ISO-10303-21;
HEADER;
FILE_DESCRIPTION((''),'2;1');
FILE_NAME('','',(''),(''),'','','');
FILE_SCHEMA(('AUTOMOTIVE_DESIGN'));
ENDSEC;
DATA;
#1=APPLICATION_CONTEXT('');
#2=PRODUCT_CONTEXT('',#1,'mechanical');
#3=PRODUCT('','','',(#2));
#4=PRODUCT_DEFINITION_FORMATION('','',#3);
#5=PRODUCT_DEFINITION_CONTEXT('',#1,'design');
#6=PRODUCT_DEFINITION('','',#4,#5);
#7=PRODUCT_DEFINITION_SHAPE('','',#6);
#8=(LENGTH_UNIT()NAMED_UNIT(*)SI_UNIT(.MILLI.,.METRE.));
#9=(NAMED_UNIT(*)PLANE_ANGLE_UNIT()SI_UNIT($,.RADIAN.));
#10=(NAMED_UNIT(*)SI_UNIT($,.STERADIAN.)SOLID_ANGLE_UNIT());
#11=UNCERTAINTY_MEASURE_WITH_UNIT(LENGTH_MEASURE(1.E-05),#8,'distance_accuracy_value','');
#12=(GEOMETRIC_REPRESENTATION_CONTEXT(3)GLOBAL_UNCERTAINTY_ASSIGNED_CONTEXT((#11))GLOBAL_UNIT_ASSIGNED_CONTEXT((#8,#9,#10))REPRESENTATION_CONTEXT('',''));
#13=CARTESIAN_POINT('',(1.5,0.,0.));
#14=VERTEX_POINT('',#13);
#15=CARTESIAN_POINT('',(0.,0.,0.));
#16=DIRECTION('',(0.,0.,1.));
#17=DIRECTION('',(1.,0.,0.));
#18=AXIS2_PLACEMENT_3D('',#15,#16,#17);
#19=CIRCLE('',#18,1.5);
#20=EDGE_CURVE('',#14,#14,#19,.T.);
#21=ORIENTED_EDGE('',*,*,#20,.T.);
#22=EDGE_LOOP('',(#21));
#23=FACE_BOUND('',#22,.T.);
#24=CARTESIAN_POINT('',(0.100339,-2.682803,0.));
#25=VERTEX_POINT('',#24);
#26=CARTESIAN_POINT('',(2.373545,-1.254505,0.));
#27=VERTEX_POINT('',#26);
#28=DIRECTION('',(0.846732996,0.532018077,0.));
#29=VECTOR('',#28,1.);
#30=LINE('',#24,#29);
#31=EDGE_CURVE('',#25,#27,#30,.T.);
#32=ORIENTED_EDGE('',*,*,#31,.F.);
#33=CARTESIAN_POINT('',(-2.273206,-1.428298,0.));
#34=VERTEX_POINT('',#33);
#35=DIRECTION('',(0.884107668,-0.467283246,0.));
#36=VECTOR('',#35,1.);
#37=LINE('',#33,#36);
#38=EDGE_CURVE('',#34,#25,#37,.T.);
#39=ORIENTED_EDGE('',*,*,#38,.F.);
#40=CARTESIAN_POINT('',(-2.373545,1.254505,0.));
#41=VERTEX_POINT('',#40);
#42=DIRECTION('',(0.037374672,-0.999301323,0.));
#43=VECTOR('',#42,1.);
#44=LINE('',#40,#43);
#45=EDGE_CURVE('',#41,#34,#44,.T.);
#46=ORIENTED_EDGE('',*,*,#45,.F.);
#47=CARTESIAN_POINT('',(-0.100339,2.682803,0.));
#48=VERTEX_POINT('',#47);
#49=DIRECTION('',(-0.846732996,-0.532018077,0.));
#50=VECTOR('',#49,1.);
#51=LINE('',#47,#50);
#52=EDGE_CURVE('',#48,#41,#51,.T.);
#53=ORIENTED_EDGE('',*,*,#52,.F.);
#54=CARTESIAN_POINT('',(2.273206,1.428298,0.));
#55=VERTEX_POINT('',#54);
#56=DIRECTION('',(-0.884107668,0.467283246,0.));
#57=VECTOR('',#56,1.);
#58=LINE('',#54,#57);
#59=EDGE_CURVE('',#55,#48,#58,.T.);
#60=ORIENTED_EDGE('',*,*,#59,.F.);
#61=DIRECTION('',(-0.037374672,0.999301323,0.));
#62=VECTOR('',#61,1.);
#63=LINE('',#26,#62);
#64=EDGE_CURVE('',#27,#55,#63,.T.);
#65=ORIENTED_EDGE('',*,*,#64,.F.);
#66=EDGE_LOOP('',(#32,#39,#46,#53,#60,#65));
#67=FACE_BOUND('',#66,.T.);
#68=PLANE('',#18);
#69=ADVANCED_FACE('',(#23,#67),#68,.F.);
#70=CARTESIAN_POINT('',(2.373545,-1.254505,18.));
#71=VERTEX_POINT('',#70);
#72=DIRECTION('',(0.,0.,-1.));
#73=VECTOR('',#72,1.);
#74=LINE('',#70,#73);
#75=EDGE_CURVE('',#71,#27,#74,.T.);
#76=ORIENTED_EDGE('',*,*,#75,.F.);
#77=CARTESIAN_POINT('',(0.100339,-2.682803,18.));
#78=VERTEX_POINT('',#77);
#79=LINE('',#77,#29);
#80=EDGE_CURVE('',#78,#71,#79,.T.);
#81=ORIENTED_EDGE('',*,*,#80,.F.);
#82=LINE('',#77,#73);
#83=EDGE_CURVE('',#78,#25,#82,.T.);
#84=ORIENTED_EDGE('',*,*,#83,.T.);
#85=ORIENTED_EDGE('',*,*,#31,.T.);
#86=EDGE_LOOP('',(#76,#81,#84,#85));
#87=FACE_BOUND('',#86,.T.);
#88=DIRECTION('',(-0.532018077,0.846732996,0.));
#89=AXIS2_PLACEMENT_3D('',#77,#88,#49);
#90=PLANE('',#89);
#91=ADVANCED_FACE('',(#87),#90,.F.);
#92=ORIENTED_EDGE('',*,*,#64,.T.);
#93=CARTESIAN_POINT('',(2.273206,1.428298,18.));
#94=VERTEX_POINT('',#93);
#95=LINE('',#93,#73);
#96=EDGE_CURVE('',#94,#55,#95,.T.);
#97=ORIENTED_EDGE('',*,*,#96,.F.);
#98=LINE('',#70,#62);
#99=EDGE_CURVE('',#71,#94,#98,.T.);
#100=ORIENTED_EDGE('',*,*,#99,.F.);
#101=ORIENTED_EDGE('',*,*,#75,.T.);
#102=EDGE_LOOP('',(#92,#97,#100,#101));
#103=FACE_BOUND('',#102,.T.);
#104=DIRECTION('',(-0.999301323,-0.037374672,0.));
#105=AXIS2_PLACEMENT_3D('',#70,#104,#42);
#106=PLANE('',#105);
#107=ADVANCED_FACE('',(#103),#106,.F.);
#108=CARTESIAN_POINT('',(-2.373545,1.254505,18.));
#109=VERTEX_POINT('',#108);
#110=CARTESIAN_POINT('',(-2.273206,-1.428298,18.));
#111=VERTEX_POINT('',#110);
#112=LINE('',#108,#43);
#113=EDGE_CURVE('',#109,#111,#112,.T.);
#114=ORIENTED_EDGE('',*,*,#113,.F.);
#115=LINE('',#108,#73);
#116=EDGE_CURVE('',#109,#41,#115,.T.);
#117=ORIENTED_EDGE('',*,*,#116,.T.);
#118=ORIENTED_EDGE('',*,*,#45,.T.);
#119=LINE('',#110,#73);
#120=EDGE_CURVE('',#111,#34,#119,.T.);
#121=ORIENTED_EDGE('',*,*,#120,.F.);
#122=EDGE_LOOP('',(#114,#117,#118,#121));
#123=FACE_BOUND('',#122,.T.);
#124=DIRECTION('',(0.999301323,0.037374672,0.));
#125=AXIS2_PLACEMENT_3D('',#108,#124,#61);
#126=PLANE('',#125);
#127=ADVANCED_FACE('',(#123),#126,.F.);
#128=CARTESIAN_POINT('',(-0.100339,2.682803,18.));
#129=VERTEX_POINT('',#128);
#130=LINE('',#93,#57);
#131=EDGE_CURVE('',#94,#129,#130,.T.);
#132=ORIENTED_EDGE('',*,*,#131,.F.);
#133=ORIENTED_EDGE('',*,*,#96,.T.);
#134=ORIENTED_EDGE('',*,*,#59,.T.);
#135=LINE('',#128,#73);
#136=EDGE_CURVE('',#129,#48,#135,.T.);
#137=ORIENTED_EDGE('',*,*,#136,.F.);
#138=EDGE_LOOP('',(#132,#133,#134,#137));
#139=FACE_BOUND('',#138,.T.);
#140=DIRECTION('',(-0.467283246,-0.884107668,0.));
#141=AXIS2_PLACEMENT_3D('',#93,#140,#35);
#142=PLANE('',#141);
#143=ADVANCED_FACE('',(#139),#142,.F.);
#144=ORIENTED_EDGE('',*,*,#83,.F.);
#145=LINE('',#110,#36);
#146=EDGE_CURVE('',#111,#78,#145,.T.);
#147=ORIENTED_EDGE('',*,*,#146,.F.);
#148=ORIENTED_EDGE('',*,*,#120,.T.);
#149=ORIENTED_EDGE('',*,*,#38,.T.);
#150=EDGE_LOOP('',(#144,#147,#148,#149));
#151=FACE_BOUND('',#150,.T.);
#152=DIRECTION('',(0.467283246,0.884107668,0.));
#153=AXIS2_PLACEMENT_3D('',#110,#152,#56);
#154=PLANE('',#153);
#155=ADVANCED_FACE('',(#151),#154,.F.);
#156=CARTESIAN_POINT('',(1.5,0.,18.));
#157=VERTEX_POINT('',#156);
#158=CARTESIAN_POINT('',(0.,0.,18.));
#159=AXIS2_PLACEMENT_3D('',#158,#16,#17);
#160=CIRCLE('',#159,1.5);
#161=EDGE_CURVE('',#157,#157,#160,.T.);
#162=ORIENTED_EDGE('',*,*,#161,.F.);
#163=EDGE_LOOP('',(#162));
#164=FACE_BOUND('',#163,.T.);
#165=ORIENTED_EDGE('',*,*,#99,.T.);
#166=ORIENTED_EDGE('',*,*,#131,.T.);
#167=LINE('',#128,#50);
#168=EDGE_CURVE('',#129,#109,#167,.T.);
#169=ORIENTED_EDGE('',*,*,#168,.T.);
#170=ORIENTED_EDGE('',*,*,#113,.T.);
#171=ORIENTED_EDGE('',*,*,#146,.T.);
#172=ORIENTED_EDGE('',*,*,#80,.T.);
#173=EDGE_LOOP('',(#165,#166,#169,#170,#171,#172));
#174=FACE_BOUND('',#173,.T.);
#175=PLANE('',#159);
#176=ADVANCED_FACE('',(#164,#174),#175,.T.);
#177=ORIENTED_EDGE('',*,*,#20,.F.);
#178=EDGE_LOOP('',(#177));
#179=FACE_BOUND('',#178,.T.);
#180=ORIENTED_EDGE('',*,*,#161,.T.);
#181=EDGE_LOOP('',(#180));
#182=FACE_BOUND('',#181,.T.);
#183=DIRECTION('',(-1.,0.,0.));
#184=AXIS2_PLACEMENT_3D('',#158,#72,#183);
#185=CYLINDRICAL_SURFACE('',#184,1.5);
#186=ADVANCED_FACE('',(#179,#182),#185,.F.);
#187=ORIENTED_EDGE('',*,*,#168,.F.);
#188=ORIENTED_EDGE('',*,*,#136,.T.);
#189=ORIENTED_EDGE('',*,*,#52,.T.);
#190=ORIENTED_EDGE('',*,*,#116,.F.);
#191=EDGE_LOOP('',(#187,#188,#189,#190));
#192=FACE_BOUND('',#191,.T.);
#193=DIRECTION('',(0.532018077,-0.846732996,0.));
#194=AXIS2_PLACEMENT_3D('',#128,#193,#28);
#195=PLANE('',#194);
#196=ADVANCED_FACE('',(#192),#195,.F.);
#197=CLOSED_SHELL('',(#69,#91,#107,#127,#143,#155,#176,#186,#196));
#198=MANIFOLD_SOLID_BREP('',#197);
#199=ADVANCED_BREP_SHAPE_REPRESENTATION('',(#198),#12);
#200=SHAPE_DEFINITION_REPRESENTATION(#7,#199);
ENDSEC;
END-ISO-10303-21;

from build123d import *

# Parameters (mm, degrees)
SKETCH_1_R      = 1.5
EXTRUDE_1_DEPTH = 18


with BuildPart() as part:
    # 草图1 → 凸台-拉伸1 (new body)
    with BuildSketch(Plane.XY):
        Polygon((2.273206082, 1.428297627), (-0.100338988, 2.682803028), (-2.37354507, 1.254505402), (-2.273206082, -1.428297627), (0.100338988, -2.682803028), (2.37354507, -1.254505402), align=None)
        Circle(SKETCH_1_R, mode=Mode.SUBTRACT)
    extrude(amount=EXTRUDE_1_DEPTH)


solid = part.part
